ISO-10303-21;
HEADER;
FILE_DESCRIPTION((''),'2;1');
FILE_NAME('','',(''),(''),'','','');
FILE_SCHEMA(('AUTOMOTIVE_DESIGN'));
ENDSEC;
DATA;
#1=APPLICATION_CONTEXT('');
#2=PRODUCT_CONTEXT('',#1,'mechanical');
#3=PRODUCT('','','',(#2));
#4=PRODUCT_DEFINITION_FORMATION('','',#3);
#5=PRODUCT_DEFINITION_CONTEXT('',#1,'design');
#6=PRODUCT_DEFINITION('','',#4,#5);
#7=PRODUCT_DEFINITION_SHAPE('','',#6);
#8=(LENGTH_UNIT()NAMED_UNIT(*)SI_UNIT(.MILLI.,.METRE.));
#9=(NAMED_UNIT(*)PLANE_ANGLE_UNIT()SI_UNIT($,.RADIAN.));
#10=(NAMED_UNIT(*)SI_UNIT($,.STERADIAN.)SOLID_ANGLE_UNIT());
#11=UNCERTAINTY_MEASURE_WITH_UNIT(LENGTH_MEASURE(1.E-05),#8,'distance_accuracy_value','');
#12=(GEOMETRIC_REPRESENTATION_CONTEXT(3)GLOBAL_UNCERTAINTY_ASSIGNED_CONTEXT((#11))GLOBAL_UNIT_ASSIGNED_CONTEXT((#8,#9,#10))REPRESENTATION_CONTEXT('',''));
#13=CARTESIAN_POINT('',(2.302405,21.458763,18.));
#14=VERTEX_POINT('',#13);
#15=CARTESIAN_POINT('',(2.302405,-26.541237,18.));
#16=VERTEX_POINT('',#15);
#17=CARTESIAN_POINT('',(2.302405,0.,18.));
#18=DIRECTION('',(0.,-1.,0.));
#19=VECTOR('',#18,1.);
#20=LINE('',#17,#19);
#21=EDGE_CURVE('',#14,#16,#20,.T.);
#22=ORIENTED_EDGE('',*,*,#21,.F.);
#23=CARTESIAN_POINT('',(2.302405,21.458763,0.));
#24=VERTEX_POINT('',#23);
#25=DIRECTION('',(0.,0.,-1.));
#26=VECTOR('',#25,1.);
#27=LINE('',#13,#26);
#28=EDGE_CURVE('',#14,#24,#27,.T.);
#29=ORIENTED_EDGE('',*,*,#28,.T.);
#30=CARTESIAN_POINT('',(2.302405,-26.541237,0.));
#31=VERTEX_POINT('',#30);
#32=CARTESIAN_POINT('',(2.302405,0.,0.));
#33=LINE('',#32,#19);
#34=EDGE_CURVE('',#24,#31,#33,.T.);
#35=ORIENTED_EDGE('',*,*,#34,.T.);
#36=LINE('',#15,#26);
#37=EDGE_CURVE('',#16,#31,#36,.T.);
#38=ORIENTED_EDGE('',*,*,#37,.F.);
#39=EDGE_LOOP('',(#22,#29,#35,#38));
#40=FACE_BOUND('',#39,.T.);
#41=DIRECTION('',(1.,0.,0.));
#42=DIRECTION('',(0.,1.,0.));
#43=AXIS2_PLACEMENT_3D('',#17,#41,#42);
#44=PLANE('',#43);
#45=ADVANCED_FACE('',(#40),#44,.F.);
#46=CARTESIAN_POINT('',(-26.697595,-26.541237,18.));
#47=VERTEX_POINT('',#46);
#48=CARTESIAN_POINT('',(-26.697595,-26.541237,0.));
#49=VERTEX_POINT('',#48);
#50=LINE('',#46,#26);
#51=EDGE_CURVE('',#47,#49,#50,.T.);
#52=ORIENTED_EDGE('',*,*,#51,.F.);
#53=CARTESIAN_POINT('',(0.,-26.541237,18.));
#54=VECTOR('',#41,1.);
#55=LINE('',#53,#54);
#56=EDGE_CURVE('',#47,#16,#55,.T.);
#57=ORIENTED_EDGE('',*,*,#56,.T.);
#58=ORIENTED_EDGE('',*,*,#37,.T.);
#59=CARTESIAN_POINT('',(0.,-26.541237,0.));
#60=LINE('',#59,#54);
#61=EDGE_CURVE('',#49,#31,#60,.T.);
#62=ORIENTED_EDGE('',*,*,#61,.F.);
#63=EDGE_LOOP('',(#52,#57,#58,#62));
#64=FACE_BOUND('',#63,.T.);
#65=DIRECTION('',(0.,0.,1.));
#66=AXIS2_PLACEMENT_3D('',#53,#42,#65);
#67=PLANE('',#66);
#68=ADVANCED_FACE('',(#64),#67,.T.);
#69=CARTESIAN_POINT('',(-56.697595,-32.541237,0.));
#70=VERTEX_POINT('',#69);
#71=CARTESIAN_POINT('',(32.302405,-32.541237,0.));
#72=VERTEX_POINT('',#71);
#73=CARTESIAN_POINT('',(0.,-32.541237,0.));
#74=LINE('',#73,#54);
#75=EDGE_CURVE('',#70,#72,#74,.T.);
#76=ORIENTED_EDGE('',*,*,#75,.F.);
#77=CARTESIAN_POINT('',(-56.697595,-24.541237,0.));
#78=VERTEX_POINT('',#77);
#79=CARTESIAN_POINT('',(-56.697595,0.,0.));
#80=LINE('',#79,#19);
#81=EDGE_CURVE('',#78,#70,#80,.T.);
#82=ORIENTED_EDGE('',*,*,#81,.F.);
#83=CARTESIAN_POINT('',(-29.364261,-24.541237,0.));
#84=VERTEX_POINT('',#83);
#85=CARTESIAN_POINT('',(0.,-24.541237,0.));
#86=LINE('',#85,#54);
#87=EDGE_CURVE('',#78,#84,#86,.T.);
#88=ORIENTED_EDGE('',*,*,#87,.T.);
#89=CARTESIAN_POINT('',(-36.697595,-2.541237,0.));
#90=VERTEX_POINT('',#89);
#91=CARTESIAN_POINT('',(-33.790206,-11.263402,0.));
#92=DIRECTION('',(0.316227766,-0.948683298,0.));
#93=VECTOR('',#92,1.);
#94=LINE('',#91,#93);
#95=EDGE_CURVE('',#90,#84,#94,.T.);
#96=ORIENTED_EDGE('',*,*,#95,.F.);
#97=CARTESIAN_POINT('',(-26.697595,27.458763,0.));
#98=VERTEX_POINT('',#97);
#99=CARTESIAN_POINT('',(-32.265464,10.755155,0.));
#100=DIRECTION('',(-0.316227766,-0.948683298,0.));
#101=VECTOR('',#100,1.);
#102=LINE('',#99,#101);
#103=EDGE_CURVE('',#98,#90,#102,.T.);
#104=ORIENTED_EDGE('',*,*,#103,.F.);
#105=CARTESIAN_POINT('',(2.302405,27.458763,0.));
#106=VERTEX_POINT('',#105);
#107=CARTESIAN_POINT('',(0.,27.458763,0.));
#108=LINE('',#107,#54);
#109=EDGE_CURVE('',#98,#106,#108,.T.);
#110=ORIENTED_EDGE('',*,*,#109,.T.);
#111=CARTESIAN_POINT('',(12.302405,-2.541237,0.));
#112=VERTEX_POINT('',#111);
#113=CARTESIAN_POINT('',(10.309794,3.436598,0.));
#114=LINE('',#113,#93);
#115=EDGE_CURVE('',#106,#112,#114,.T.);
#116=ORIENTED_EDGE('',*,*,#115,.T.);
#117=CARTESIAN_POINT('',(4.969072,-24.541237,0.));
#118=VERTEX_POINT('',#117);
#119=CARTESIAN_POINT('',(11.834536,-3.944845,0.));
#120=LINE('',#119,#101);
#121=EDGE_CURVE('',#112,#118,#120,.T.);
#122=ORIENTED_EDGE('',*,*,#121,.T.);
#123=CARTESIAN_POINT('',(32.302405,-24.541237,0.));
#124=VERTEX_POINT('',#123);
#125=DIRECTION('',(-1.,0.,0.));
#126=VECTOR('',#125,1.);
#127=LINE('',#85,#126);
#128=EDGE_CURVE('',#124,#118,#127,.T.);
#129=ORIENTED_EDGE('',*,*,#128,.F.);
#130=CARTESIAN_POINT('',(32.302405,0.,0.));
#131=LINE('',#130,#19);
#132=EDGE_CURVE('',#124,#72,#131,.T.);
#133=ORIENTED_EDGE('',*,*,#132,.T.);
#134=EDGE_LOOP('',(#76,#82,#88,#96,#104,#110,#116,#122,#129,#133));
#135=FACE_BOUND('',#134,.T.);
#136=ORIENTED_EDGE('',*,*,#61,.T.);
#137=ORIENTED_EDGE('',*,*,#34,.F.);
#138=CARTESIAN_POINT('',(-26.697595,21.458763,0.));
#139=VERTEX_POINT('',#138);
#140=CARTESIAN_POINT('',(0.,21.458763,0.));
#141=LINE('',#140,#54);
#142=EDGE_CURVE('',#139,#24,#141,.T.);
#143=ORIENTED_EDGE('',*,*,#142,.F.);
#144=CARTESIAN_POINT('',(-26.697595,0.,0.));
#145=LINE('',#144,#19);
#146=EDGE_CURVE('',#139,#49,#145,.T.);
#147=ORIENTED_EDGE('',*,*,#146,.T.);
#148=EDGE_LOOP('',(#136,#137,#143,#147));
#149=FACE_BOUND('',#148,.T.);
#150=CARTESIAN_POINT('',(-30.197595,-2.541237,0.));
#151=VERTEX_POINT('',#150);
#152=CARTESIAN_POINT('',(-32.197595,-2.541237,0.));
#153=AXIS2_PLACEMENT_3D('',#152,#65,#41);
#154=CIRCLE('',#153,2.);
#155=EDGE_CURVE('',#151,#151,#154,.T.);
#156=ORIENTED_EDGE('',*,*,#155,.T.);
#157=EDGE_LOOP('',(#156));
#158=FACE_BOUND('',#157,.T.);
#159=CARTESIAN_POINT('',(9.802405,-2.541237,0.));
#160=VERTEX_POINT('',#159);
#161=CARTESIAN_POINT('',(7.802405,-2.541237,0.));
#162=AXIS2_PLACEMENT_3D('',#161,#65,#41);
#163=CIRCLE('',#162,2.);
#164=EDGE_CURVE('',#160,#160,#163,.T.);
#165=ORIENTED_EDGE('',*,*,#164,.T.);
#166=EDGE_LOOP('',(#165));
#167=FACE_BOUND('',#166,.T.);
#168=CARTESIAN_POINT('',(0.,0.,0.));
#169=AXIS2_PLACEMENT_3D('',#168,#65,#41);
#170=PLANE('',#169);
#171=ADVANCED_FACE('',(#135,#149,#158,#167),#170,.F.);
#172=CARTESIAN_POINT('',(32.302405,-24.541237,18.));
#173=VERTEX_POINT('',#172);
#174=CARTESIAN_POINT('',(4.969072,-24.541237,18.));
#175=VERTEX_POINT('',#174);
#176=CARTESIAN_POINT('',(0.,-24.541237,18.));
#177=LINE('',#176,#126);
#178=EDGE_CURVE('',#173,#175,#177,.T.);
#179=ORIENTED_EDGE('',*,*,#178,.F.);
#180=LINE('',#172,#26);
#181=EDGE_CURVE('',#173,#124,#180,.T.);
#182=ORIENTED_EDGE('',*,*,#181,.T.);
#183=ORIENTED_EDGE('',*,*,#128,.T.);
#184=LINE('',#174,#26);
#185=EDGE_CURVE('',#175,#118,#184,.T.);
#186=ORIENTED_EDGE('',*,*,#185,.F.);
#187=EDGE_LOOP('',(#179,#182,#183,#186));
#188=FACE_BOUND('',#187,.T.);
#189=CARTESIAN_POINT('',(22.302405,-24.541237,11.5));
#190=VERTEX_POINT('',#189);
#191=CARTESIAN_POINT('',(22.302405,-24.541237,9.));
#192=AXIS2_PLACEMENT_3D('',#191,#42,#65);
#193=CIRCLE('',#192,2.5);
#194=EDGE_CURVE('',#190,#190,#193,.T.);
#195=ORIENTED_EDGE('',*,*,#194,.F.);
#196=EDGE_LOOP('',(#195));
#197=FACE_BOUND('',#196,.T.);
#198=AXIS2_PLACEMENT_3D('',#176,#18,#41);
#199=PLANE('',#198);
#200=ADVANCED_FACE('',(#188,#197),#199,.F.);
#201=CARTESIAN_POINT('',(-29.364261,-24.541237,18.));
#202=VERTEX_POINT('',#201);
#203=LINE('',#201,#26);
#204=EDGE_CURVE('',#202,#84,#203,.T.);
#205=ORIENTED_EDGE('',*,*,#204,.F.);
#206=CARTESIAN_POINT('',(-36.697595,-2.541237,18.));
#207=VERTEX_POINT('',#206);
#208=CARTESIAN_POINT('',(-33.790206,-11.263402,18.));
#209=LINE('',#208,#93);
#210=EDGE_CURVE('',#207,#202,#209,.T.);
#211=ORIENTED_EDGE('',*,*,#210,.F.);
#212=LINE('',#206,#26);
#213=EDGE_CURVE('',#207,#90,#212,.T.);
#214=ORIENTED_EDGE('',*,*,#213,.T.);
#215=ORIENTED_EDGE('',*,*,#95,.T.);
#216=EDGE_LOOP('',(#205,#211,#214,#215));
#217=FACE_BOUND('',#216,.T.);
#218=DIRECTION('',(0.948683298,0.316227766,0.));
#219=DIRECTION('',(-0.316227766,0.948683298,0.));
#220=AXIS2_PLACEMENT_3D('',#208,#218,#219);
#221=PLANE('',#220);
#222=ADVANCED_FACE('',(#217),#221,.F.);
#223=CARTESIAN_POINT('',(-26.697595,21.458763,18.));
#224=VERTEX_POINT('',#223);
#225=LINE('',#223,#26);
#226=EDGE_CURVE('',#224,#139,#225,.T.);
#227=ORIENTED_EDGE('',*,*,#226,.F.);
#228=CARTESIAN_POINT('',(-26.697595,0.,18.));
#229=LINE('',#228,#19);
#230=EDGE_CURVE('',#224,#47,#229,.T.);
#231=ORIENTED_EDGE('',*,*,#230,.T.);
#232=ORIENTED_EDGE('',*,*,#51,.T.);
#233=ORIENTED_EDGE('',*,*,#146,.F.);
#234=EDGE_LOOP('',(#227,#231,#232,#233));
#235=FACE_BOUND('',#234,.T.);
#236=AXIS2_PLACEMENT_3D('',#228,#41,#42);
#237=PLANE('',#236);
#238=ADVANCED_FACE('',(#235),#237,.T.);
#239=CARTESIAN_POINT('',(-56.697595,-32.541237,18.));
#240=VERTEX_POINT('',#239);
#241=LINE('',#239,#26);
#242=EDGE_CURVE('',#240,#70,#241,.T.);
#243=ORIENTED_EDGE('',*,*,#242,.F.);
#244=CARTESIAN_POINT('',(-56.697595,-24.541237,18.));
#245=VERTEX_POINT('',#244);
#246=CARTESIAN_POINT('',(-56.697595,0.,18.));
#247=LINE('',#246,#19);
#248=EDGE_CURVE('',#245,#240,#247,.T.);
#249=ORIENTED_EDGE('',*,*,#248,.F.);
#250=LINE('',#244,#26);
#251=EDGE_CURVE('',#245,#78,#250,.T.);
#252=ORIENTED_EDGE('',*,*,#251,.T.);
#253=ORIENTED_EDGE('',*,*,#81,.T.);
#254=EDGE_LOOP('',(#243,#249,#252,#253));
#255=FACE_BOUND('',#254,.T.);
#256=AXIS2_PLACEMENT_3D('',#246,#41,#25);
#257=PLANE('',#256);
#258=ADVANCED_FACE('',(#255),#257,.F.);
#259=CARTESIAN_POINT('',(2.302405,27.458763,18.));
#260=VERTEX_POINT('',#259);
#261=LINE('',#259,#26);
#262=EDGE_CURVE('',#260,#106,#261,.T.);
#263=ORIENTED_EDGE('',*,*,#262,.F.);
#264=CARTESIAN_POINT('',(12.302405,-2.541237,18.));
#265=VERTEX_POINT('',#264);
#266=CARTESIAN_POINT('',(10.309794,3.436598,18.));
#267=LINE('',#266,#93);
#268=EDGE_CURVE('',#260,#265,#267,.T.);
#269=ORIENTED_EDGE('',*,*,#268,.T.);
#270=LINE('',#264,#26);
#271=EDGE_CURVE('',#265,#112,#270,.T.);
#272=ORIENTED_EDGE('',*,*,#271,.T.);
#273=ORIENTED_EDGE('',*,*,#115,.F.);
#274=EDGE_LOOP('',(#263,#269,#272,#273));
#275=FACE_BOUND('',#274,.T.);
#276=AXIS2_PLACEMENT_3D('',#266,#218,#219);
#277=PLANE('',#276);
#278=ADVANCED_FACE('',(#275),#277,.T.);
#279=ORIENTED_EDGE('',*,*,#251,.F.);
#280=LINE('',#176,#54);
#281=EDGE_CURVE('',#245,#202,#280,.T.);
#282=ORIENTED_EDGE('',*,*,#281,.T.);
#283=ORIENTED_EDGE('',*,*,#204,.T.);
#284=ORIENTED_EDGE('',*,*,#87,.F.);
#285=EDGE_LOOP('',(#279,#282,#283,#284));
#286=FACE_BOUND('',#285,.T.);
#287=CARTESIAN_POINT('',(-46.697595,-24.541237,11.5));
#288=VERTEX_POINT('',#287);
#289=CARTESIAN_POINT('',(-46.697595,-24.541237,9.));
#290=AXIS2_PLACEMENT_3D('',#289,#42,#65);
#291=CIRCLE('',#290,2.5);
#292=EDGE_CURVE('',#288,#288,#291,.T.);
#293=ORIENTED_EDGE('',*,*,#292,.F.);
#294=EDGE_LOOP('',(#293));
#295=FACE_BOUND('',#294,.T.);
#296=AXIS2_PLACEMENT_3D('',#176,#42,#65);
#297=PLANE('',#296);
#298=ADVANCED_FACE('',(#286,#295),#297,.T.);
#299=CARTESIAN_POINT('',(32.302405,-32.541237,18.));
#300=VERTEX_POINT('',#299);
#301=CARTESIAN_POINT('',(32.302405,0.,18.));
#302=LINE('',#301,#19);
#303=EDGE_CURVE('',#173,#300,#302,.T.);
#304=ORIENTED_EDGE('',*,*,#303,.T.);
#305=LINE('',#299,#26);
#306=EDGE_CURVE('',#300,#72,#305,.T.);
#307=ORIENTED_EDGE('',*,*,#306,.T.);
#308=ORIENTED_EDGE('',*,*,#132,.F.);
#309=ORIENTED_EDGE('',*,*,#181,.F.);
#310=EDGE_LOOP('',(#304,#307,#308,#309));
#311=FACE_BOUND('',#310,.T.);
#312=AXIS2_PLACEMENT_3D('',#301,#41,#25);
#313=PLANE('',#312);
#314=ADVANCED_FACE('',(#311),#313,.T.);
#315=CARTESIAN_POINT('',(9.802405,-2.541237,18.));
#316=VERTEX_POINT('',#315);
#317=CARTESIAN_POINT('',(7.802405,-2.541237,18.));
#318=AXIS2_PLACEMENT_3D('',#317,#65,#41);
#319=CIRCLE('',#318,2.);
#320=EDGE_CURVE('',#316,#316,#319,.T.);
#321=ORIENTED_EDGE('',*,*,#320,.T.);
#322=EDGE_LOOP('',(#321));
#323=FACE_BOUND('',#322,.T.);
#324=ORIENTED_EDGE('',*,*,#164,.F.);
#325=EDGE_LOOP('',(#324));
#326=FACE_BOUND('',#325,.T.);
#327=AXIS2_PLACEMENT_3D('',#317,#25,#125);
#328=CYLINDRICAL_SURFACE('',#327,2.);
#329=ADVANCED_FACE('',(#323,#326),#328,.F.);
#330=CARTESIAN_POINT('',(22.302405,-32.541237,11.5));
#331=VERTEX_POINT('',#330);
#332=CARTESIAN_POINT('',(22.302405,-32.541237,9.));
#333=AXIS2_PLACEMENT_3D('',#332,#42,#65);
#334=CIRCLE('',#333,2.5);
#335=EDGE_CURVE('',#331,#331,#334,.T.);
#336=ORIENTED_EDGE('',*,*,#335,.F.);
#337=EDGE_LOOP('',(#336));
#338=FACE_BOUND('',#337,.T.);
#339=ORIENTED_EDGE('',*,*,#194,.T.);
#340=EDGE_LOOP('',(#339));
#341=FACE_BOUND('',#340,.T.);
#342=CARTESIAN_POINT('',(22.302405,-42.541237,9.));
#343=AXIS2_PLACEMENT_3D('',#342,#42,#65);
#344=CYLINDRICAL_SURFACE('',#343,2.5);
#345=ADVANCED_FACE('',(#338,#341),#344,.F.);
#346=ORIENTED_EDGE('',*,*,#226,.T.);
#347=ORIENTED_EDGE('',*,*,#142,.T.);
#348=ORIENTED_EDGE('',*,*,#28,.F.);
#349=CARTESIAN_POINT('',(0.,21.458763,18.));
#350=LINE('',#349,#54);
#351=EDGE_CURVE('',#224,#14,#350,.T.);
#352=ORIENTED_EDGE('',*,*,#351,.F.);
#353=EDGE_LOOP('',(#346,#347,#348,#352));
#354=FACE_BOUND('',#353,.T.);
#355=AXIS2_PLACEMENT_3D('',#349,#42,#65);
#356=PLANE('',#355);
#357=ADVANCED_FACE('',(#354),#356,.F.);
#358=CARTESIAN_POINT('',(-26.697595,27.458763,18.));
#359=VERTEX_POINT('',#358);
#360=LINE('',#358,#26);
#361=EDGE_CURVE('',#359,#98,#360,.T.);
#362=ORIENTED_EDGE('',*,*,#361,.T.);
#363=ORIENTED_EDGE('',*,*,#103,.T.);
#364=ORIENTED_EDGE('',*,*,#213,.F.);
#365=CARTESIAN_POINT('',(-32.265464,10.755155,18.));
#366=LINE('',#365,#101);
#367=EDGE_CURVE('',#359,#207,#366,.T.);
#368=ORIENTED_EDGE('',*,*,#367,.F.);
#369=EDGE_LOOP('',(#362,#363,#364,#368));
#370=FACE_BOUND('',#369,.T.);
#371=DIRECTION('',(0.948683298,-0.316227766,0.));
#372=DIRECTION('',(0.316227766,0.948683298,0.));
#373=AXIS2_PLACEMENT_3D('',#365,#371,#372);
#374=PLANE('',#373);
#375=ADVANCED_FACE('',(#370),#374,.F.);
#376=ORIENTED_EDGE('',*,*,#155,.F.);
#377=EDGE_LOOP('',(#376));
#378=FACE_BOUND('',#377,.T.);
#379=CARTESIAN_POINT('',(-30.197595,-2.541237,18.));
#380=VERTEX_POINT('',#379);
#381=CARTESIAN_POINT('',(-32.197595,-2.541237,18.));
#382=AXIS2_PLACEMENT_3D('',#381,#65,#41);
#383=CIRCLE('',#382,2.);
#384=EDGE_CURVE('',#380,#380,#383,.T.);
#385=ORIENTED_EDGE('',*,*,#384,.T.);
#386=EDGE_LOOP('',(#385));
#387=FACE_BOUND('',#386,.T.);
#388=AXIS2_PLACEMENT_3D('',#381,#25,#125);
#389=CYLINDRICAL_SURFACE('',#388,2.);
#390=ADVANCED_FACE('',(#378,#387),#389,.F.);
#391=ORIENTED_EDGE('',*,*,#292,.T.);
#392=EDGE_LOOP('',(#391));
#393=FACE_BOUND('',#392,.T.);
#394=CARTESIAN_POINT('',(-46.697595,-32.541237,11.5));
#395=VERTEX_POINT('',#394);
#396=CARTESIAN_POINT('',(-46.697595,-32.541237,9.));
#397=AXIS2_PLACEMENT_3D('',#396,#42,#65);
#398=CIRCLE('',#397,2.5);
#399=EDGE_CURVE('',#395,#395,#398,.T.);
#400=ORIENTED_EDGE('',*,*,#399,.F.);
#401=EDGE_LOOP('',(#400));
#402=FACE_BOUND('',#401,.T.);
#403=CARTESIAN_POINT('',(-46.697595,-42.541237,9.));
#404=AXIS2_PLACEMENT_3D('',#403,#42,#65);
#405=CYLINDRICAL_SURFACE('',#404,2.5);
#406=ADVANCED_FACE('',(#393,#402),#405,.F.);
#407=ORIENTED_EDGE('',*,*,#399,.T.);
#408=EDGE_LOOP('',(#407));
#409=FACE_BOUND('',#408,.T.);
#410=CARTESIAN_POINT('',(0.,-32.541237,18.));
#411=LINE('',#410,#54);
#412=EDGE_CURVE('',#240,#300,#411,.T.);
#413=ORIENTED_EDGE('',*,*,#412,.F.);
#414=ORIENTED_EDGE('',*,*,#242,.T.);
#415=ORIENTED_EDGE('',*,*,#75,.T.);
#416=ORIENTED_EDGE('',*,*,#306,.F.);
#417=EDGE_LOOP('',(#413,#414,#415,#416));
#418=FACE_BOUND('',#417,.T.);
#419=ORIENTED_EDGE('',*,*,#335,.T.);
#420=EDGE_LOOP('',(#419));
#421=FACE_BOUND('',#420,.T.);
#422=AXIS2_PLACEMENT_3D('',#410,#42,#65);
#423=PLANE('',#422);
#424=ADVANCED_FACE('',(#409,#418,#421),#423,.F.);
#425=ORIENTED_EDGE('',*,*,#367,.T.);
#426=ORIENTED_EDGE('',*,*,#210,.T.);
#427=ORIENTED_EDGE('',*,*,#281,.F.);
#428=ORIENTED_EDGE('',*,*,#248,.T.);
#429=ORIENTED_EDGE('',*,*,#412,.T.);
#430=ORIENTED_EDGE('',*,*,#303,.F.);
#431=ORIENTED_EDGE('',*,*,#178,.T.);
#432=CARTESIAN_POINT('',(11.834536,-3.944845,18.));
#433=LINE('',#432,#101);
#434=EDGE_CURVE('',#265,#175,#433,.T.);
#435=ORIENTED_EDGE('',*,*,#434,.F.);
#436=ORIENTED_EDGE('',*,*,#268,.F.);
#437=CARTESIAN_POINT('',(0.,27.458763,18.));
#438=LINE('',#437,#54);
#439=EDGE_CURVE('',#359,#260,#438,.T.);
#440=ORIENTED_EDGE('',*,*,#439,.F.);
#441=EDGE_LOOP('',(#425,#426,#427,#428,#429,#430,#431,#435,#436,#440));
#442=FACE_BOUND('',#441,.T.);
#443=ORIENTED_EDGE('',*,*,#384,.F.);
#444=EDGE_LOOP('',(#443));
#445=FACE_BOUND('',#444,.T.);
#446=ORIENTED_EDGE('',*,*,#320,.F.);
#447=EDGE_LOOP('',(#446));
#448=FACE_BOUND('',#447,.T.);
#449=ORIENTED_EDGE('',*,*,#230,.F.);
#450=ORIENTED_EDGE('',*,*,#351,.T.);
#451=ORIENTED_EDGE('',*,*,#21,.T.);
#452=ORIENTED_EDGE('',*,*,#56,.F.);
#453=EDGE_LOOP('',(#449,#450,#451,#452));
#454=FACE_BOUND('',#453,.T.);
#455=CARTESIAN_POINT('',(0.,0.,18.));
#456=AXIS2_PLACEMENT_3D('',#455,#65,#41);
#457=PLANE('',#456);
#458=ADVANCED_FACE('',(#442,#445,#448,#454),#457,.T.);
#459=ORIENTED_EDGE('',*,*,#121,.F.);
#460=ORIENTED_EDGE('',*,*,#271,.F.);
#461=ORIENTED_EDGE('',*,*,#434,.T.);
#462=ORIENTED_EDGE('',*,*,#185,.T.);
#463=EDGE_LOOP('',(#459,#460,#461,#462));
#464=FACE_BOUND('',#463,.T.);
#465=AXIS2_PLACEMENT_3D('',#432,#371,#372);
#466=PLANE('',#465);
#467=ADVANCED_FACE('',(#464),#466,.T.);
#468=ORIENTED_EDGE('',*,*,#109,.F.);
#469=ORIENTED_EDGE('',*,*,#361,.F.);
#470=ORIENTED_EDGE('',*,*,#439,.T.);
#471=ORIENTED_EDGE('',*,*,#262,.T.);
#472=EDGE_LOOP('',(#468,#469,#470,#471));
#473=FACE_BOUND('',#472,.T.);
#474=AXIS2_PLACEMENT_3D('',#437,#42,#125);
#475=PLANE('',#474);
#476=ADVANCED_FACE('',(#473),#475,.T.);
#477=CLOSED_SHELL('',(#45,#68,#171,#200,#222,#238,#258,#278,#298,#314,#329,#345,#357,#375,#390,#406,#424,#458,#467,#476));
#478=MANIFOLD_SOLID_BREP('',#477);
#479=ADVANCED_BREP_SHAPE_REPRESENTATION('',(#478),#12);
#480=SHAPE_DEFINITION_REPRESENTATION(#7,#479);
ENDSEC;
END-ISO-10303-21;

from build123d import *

# Parameters (mm, degrees)
SKETCH_1_R          = 2
EXTRUDE_2_DEPTH     = 18
SKETCH_2_R          = 2.5
CUT_EXTRUDE_1_DEPTH = 18


with BuildPart() as part:
    # 草图1 → 凸台-拉伸2 (new body)
    with BuildSketch(Plane.XY):
        Polygon((2.302405498, 27.458762887), (-26.697594502, 27.458762887), (-36.697594502, -2.541237113), (-29.364261168, -24.541237113), (-56.697594502, -24.541237113), (-56.697594502, -32.541237113), (32.302405498, -32.541237113), (32.302405498, -24.541237113), (4.969072165, -24.541237113), (12.302405498, -2.541237113), align=None)
        with Locations((-32.197594502, -2.541237113)):
            Circle(SKETCH_1_R, mode=Mode.SUBTRACT)
        Polygon((-26.697594502, -26.541237113), (-26.697594502, -2.541237113), (-26.697594502, 21.458762887), (2.302405498, 21.458762887), (2.302405498, -2.541237113), (2.302405498, -26.541237113), align=None, mode=Mode.SUBTRACT)
        with Locations((7.802405498, -2.541237113)):
            Circle(SKETCH_1_R, mode=Mode.SUBTRACT)
    extrude(amount=EXTRUDE_2_DEPTH)

    # 草图2 → 切除-拉伸1 (cut)
    with BuildSketch(Plane(origin=(0, -24.541237113, 0), x_dir=(1, 0, 0), z_dir=(0, 1, 0))):
        with Locations(Location((-46.697594502, -9, 0), (0, 0, 270))):
            Circle(SKETCH_2_R)
        with Locations(Location((22.302405498, -9, 0), (0, 0, 270))):
            Circle(SKETCH_2_R)
    extrude(amount=-CUT_EXTRUDE_1_DEPTH, mode=Mode.SUBTRACT)


solid = part.part
